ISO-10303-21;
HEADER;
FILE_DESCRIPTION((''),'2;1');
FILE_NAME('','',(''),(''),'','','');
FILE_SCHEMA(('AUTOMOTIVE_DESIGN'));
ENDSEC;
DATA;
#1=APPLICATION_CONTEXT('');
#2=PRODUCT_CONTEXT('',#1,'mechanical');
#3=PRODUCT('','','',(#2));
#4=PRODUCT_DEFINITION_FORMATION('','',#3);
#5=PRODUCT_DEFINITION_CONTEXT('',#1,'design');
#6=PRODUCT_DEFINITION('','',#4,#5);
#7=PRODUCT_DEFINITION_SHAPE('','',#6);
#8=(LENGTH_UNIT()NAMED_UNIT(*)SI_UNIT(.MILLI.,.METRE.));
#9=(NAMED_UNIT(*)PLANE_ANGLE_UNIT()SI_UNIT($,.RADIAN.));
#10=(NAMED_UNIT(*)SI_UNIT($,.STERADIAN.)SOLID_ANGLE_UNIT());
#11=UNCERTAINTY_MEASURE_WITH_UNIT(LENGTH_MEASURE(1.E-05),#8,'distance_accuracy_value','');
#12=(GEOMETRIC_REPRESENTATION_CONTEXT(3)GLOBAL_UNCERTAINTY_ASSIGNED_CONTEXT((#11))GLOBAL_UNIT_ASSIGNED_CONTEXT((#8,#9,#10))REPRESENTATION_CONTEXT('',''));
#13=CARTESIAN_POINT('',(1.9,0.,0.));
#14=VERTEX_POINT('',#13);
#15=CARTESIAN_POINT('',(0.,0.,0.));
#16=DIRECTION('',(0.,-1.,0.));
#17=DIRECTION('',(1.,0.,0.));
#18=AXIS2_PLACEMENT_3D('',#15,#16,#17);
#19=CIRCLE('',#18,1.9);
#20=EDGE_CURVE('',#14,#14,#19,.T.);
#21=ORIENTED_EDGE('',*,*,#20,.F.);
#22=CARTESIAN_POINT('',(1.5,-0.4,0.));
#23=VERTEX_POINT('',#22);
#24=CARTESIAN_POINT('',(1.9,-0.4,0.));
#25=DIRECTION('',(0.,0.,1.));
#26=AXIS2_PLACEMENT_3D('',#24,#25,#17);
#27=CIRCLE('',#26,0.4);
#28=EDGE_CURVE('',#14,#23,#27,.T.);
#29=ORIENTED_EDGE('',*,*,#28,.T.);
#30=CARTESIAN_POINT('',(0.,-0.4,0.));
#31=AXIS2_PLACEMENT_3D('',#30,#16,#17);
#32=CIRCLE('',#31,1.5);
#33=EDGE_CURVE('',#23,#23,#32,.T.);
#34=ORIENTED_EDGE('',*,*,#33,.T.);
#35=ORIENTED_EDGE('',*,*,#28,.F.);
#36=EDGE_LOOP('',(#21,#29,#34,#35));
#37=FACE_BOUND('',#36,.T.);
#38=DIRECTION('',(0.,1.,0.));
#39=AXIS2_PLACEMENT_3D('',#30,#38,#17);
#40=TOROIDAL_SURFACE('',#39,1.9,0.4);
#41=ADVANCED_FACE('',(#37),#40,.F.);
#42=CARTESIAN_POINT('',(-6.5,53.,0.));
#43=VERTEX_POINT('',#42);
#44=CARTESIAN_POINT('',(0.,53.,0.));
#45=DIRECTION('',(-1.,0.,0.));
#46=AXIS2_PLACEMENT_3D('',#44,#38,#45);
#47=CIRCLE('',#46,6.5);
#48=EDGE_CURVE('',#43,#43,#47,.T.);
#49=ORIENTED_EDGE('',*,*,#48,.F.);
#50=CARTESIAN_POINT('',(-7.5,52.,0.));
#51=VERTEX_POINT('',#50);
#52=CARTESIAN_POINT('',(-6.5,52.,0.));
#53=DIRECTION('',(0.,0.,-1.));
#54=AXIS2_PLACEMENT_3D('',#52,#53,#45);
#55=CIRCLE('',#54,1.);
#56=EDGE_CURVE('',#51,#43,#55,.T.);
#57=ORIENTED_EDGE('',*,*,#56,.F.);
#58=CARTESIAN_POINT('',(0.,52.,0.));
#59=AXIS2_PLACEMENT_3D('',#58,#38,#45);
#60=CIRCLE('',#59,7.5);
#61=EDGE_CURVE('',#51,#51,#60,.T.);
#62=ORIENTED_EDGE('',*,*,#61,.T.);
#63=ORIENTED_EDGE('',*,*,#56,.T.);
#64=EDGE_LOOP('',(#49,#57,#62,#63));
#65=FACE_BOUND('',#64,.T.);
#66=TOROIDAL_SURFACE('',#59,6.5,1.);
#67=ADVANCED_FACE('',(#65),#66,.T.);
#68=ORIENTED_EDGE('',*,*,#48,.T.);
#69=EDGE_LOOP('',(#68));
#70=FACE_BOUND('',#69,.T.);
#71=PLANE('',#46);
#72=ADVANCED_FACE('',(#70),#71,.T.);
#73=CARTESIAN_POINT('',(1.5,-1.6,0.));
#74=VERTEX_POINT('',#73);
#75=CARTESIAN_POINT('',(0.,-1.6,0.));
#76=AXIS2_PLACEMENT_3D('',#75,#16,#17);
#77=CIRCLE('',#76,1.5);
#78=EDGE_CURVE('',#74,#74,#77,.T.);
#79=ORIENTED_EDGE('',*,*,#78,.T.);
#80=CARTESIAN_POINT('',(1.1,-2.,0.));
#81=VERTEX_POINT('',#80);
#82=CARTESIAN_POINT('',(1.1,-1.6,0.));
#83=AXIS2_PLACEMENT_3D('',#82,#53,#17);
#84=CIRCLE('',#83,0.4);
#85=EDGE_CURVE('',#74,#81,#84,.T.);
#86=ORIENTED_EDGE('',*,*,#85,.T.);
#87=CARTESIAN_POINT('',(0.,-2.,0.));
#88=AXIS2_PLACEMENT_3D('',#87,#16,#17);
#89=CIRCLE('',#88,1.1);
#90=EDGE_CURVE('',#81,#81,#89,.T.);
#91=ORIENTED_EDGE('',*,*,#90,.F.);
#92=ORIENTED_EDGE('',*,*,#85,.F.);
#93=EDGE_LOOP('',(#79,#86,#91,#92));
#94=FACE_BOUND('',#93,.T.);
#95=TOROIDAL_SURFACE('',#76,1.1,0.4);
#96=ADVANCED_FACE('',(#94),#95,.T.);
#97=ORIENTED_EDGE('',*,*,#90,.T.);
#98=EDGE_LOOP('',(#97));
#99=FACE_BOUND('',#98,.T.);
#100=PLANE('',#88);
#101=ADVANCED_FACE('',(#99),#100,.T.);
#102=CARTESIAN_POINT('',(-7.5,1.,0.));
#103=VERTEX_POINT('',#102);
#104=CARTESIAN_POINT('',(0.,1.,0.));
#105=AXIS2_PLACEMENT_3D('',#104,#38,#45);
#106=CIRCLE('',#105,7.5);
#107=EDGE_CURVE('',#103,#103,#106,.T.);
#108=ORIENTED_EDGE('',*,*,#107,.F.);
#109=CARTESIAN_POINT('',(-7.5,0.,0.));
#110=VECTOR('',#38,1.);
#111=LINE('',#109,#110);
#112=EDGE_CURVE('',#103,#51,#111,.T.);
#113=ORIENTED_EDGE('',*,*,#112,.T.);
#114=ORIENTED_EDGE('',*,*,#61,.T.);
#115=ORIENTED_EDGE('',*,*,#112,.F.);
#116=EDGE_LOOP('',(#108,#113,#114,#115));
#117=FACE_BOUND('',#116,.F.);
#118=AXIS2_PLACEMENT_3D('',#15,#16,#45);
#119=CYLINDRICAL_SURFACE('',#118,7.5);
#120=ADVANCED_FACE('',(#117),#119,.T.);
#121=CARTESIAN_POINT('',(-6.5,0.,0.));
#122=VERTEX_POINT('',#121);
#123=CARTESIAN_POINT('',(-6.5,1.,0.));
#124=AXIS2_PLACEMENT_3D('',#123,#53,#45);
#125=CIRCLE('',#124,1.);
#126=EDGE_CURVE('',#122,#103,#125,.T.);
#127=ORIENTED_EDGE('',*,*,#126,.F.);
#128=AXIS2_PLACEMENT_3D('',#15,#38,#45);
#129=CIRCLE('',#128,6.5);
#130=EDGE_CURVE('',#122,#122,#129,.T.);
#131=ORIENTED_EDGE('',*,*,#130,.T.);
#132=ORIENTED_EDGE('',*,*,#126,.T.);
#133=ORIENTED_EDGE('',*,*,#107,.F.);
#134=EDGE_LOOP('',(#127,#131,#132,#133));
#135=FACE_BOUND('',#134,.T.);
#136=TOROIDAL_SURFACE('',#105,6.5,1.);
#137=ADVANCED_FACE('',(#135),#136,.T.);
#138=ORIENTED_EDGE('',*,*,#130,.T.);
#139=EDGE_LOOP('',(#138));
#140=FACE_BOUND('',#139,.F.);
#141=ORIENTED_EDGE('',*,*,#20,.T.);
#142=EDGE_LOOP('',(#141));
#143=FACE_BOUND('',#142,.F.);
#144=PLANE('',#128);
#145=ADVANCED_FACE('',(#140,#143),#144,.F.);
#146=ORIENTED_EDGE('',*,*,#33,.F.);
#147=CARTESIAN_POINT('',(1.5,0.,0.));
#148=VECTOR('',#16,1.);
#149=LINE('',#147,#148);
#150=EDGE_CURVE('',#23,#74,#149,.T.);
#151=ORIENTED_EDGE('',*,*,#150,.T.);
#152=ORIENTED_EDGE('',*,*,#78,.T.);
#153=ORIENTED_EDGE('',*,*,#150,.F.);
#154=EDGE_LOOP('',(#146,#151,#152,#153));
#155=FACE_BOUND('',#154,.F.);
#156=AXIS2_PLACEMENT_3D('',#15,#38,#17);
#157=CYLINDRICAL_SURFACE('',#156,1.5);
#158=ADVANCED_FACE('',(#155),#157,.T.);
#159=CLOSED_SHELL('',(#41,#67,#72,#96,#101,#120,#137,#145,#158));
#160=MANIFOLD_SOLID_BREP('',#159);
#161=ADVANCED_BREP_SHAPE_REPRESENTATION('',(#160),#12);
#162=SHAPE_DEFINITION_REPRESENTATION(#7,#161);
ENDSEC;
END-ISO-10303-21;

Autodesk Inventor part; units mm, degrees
ref_plane "YZ Plane" through (0, 0, 0) normal (1, 0, 0) x (0, 1, 0)
ref_plane "XZ Plane" through (0, 0, 0) normal (0, 1, 0) x (-1, 0, 0)
ref_plane "XY Plane" through (0, 0, 0) normal (0, 0, 1) x (1, 0, 0)
sketch "Sketch1" plane through (0, 0, 0) normal (0, 1, 0) x (-1, 0, 0)
  circle A0 centre (0, 0) radius 7.5
  dimension "d8" = 15
extrude "Extrusion1" add sketch "Sketch1" along normal blind 53
sketch "Sketch2" plane through (0, 0, 0) normal (0, -1, 0) x (1, 0, 0)
  circle A0 centre (0, 0) radius 1.5
  dimension "d3" = 3
extrude "Extrusion2" add sketch "Sketch2" along normal blind 2
fillet "Fillet1" [suppressed]
fillet "Fillet2" radius 0.4 2 edges at (-1.5, -2, 0) (-1.5, 0, 0)
fillet "Fillet3" radius 1 2 edges at (7.5, 53, 0) (7.5, 0, 0)
properties part number "Battery"
